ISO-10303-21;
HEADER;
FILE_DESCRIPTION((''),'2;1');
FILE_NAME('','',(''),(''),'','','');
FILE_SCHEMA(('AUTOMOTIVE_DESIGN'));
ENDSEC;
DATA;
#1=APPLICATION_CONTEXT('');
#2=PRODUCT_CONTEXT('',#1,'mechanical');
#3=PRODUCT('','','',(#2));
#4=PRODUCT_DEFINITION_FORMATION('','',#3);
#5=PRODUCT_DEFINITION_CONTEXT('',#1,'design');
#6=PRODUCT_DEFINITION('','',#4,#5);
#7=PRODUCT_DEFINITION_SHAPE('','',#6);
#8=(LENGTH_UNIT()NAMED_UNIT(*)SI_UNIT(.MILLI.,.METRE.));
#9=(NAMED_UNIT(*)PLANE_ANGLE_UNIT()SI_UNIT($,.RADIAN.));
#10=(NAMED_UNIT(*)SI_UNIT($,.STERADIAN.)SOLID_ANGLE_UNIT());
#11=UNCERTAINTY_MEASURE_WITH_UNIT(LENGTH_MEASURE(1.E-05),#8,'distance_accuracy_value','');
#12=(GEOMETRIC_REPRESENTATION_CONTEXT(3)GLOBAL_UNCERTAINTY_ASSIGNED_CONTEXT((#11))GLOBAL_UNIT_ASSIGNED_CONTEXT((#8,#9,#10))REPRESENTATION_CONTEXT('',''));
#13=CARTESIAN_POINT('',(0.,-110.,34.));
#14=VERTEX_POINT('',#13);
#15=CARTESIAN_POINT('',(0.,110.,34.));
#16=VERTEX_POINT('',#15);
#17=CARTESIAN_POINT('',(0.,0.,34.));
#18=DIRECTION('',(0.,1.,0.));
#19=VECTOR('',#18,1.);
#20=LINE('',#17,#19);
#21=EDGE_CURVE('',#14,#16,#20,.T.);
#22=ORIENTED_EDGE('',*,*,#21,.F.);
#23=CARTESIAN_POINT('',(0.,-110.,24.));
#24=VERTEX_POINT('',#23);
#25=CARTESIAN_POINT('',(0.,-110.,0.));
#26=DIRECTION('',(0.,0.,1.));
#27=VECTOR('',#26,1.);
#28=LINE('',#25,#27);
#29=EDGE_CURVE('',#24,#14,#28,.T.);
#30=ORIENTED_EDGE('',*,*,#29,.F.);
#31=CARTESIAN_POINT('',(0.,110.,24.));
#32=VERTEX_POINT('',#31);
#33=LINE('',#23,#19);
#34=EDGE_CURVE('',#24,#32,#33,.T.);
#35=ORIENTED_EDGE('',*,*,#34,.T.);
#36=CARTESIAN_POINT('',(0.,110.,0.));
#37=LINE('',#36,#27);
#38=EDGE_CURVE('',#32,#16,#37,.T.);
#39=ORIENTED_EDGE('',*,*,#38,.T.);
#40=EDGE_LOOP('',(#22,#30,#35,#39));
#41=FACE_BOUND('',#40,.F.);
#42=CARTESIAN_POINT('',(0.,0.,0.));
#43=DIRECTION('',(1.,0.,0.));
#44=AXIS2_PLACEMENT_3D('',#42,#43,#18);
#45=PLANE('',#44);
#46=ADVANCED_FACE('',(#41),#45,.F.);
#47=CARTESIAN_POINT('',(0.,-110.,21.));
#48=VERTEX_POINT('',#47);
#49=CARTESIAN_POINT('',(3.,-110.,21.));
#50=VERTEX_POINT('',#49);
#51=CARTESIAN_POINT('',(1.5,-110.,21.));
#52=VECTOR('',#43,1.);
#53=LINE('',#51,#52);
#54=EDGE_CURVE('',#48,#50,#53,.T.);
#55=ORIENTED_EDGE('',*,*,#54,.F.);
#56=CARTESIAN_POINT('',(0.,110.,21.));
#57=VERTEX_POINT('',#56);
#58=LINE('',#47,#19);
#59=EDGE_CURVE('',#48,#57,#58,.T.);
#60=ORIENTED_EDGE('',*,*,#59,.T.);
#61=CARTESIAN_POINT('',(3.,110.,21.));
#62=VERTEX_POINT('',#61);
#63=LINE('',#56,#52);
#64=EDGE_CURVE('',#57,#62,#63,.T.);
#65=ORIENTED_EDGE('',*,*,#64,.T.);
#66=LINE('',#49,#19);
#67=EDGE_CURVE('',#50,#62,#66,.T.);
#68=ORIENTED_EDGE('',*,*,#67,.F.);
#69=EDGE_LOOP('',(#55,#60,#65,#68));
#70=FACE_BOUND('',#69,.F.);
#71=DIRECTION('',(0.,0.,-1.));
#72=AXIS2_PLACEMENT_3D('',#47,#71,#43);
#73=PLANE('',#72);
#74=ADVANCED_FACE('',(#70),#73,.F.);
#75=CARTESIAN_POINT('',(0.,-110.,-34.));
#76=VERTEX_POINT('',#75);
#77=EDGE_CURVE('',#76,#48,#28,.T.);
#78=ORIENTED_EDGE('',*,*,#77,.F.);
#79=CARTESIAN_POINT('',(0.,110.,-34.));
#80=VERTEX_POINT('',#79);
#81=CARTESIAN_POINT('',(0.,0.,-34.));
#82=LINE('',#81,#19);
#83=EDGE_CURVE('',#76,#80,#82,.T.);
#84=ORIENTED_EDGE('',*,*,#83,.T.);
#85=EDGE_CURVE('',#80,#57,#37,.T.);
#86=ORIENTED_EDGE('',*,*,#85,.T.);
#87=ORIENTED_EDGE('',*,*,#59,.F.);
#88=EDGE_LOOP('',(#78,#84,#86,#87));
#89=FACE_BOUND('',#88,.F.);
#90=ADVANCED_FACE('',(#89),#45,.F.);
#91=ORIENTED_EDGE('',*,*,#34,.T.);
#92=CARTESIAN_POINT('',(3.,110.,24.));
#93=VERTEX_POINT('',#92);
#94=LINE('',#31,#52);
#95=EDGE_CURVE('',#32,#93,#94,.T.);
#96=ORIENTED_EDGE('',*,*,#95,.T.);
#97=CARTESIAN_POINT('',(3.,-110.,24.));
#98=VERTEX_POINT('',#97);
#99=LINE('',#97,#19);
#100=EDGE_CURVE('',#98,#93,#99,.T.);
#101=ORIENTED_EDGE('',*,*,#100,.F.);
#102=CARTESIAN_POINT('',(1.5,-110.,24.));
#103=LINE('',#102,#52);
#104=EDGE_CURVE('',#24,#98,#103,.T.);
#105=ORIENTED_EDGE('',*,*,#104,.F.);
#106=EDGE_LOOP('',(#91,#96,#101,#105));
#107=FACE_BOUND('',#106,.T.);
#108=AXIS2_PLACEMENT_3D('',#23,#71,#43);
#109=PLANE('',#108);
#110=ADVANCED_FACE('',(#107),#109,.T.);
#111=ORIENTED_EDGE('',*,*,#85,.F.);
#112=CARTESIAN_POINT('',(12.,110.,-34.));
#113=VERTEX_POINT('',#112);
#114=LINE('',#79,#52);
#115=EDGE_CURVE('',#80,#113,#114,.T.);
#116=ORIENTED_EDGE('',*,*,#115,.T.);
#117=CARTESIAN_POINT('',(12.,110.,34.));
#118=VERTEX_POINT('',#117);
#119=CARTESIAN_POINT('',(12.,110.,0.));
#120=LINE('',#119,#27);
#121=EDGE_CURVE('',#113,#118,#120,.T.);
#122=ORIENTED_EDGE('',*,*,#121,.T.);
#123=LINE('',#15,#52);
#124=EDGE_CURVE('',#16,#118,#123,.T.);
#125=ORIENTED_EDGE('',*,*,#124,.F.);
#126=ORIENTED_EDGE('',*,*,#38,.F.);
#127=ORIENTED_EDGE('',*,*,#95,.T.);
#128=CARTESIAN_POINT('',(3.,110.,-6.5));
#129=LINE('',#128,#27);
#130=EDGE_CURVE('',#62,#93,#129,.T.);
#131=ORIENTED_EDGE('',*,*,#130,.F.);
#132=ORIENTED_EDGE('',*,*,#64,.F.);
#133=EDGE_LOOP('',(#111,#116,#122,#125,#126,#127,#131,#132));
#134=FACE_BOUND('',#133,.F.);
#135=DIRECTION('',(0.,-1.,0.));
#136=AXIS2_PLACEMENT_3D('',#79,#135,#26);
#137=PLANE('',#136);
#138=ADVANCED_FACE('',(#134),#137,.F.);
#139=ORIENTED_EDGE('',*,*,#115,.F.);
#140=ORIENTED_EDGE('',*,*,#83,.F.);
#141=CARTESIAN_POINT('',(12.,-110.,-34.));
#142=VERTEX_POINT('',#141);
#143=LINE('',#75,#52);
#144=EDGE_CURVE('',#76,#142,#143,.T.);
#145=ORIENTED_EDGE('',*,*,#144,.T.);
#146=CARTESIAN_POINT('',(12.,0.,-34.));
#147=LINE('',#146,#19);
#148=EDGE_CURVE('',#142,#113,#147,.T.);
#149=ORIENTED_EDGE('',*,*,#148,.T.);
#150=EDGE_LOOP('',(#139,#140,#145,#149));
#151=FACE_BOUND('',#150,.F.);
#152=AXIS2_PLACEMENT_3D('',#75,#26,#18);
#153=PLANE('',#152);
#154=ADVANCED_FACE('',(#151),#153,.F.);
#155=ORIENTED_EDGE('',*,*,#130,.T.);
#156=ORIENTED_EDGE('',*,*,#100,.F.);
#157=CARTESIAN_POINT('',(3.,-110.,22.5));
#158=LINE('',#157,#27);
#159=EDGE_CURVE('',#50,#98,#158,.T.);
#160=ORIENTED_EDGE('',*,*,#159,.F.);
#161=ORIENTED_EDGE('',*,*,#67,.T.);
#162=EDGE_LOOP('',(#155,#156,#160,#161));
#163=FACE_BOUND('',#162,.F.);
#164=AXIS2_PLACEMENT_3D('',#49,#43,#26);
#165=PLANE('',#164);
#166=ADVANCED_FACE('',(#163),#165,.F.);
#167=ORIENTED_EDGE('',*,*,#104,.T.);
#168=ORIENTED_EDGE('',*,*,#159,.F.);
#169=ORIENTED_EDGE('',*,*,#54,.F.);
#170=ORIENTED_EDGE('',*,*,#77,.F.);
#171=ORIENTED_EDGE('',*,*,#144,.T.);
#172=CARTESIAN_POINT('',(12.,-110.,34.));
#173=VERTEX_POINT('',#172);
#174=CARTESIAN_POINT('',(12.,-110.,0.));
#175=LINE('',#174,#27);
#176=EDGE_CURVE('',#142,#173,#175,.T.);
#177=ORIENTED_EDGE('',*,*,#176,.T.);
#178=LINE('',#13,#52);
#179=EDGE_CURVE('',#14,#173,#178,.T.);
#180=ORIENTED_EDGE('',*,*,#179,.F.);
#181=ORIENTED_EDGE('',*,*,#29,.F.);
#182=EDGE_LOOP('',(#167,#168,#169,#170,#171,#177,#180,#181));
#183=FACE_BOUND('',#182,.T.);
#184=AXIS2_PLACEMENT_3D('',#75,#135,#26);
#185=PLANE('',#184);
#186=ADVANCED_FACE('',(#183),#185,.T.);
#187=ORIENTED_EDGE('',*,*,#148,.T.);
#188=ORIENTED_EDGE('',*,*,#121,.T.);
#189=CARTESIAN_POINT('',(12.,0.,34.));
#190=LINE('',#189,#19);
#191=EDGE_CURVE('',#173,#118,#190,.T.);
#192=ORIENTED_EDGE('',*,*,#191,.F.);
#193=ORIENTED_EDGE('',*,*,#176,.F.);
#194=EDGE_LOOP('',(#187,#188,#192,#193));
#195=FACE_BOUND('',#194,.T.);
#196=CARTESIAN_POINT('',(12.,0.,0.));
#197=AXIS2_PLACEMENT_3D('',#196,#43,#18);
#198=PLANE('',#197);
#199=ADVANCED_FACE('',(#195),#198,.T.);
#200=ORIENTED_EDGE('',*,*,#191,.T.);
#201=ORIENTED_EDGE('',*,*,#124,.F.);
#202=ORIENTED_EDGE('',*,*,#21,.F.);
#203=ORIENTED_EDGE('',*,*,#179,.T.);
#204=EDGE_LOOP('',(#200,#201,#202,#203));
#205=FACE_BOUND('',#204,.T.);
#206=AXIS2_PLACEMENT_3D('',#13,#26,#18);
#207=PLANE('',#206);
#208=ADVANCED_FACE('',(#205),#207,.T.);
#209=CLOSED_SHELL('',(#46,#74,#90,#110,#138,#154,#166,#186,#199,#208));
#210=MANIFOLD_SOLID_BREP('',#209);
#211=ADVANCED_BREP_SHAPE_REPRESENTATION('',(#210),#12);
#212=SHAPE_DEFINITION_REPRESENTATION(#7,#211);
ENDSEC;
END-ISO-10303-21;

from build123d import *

# Parameters (mm, degrees)
F0_W     = 220
F0_H     = 68
F1_DEPTH = 12
F2_W     = 3
F2_H     = 3
F3_DEPTH = 500


with BuildPart() as f1:
    # F0 (on Right) → F1 (new body)
    with BuildSketch(Plane.YZ):
        Rectangle(F0_W, F0_H)
    extrude(amount=F1_DEPTH)

    # F2 (on face) → F3 (cut)
    with BuildSketch(Plane.XZ.offset(110)):
        with Locations((1.5, 22.5)):
            Rectangle(F2_W, F2_H)
    extrude(amount=-F3_DEPTH, mode=Mode.SUBTRACT)


solid = f1.part
